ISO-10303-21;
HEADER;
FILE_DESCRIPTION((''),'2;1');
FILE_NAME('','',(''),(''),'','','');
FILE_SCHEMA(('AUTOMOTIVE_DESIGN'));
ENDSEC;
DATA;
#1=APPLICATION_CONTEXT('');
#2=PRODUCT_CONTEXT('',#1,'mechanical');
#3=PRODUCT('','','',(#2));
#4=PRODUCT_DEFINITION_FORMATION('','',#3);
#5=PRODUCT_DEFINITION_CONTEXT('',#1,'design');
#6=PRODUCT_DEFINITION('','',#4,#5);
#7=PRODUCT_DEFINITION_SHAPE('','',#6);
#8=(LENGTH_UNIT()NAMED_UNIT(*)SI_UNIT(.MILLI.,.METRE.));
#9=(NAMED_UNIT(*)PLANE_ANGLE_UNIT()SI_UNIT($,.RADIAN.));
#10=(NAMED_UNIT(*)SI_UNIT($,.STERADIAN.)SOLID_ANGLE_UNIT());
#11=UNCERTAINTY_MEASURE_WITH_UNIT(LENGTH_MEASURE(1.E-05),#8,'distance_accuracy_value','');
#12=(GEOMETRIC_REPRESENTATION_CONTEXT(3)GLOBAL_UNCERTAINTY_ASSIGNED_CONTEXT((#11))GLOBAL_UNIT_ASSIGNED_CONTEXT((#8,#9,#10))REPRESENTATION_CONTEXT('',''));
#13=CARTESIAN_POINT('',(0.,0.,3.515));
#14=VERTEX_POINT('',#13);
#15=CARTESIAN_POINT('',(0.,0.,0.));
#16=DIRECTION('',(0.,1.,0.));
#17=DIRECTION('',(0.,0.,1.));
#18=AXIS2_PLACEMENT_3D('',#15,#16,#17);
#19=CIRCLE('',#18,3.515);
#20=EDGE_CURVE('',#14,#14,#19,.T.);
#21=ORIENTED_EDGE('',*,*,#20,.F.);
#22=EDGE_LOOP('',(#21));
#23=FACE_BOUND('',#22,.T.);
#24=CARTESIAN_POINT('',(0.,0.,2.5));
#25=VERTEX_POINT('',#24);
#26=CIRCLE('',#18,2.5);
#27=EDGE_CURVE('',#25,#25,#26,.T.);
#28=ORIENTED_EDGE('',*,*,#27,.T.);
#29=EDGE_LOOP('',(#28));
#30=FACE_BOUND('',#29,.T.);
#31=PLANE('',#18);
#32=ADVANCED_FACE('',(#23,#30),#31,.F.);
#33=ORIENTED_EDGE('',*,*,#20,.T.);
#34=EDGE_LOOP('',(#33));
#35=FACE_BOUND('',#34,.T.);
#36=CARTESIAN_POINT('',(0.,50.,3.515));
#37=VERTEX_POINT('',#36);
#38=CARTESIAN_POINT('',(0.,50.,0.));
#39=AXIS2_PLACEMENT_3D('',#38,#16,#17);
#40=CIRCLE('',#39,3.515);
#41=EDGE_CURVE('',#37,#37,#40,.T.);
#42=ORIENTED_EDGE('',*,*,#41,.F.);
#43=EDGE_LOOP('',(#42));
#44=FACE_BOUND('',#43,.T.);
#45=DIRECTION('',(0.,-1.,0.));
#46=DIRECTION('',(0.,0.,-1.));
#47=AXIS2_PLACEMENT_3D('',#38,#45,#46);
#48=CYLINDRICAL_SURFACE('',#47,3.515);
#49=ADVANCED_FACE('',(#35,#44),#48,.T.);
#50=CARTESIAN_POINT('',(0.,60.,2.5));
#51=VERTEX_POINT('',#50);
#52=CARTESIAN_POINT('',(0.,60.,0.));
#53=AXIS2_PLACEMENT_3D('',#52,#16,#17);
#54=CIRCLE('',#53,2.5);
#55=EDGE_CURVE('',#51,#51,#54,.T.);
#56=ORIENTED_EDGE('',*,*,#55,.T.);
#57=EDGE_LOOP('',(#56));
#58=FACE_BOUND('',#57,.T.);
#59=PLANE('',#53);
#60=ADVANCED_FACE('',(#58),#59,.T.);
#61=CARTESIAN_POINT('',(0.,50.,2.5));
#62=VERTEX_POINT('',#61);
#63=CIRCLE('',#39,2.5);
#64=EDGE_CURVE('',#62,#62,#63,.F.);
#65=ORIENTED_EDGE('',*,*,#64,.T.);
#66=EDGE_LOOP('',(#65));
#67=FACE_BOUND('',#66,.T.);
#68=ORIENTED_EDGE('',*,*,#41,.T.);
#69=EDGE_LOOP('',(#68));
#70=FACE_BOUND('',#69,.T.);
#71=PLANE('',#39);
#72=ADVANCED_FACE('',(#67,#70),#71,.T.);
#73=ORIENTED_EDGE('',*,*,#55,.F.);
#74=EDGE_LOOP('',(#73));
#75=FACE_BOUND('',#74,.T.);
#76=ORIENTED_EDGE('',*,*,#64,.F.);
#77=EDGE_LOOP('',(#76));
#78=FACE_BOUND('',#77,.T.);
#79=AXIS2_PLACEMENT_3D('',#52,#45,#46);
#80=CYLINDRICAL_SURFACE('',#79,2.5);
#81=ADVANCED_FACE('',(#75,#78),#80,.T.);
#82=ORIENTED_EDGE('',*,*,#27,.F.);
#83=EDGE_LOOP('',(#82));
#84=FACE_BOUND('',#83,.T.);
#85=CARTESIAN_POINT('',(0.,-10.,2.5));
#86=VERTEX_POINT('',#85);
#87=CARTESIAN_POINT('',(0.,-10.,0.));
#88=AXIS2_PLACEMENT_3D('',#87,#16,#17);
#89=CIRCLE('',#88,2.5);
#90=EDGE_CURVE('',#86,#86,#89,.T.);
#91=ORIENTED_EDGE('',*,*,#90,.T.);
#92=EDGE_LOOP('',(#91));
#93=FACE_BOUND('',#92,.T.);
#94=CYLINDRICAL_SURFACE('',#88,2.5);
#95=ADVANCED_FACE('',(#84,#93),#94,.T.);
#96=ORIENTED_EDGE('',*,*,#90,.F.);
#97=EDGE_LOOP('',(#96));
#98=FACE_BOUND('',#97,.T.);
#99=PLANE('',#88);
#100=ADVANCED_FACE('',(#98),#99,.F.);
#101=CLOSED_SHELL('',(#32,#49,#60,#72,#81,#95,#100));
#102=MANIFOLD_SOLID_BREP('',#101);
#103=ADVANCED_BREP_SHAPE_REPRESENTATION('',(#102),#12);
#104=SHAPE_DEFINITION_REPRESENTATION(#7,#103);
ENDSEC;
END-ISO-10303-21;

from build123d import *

# Parameters (mm, degrees)
SKETCH1_R           = 3.515
BOSS_EXTRUDE1_DEPTH = 50
SKETCH2_R           = 2.5
BOSS_EXTRUDE2_DEPTH = 10
SKETCH3_R           = 2.5
BOSS_EXTRUDE5_DEPTH = 60


with BuildPart() as part:
    # Sketch1 → Boss-Extrude1 (new body)
    with BuildSketch(Plane(origin=(0, 0, 0), x_dir=(1, 0, 0), z_dir=(0, 1, 0))):
        Circle(SKETCH1_R)
    extrude(amount=BOSS_EXTRUDE1_DEPTH)

    # Sketch2 → Boss-Extrude2 (add)
    with BuildSketch(Plane(origin=(0, 0, 0), x_dir=(1, 0, 0), z_dir=(0, 1, 0))):
        Circle(SKETCH2_R)
    extrude(amount=-BOSS_EXTRUDE2_DEPTH)

    # Sketch3 → Boss-Extrude5 (add)
    with BuildSketch(Plane(origin=(0, 0, 0), x_dir=(1, 0, 0), z_dir=(0, 1, 0))):
        Circle(SKETCH3_R)
    extrude(amount=BOSS_EXTRUDE5_DEPTH)


solid = part.part
